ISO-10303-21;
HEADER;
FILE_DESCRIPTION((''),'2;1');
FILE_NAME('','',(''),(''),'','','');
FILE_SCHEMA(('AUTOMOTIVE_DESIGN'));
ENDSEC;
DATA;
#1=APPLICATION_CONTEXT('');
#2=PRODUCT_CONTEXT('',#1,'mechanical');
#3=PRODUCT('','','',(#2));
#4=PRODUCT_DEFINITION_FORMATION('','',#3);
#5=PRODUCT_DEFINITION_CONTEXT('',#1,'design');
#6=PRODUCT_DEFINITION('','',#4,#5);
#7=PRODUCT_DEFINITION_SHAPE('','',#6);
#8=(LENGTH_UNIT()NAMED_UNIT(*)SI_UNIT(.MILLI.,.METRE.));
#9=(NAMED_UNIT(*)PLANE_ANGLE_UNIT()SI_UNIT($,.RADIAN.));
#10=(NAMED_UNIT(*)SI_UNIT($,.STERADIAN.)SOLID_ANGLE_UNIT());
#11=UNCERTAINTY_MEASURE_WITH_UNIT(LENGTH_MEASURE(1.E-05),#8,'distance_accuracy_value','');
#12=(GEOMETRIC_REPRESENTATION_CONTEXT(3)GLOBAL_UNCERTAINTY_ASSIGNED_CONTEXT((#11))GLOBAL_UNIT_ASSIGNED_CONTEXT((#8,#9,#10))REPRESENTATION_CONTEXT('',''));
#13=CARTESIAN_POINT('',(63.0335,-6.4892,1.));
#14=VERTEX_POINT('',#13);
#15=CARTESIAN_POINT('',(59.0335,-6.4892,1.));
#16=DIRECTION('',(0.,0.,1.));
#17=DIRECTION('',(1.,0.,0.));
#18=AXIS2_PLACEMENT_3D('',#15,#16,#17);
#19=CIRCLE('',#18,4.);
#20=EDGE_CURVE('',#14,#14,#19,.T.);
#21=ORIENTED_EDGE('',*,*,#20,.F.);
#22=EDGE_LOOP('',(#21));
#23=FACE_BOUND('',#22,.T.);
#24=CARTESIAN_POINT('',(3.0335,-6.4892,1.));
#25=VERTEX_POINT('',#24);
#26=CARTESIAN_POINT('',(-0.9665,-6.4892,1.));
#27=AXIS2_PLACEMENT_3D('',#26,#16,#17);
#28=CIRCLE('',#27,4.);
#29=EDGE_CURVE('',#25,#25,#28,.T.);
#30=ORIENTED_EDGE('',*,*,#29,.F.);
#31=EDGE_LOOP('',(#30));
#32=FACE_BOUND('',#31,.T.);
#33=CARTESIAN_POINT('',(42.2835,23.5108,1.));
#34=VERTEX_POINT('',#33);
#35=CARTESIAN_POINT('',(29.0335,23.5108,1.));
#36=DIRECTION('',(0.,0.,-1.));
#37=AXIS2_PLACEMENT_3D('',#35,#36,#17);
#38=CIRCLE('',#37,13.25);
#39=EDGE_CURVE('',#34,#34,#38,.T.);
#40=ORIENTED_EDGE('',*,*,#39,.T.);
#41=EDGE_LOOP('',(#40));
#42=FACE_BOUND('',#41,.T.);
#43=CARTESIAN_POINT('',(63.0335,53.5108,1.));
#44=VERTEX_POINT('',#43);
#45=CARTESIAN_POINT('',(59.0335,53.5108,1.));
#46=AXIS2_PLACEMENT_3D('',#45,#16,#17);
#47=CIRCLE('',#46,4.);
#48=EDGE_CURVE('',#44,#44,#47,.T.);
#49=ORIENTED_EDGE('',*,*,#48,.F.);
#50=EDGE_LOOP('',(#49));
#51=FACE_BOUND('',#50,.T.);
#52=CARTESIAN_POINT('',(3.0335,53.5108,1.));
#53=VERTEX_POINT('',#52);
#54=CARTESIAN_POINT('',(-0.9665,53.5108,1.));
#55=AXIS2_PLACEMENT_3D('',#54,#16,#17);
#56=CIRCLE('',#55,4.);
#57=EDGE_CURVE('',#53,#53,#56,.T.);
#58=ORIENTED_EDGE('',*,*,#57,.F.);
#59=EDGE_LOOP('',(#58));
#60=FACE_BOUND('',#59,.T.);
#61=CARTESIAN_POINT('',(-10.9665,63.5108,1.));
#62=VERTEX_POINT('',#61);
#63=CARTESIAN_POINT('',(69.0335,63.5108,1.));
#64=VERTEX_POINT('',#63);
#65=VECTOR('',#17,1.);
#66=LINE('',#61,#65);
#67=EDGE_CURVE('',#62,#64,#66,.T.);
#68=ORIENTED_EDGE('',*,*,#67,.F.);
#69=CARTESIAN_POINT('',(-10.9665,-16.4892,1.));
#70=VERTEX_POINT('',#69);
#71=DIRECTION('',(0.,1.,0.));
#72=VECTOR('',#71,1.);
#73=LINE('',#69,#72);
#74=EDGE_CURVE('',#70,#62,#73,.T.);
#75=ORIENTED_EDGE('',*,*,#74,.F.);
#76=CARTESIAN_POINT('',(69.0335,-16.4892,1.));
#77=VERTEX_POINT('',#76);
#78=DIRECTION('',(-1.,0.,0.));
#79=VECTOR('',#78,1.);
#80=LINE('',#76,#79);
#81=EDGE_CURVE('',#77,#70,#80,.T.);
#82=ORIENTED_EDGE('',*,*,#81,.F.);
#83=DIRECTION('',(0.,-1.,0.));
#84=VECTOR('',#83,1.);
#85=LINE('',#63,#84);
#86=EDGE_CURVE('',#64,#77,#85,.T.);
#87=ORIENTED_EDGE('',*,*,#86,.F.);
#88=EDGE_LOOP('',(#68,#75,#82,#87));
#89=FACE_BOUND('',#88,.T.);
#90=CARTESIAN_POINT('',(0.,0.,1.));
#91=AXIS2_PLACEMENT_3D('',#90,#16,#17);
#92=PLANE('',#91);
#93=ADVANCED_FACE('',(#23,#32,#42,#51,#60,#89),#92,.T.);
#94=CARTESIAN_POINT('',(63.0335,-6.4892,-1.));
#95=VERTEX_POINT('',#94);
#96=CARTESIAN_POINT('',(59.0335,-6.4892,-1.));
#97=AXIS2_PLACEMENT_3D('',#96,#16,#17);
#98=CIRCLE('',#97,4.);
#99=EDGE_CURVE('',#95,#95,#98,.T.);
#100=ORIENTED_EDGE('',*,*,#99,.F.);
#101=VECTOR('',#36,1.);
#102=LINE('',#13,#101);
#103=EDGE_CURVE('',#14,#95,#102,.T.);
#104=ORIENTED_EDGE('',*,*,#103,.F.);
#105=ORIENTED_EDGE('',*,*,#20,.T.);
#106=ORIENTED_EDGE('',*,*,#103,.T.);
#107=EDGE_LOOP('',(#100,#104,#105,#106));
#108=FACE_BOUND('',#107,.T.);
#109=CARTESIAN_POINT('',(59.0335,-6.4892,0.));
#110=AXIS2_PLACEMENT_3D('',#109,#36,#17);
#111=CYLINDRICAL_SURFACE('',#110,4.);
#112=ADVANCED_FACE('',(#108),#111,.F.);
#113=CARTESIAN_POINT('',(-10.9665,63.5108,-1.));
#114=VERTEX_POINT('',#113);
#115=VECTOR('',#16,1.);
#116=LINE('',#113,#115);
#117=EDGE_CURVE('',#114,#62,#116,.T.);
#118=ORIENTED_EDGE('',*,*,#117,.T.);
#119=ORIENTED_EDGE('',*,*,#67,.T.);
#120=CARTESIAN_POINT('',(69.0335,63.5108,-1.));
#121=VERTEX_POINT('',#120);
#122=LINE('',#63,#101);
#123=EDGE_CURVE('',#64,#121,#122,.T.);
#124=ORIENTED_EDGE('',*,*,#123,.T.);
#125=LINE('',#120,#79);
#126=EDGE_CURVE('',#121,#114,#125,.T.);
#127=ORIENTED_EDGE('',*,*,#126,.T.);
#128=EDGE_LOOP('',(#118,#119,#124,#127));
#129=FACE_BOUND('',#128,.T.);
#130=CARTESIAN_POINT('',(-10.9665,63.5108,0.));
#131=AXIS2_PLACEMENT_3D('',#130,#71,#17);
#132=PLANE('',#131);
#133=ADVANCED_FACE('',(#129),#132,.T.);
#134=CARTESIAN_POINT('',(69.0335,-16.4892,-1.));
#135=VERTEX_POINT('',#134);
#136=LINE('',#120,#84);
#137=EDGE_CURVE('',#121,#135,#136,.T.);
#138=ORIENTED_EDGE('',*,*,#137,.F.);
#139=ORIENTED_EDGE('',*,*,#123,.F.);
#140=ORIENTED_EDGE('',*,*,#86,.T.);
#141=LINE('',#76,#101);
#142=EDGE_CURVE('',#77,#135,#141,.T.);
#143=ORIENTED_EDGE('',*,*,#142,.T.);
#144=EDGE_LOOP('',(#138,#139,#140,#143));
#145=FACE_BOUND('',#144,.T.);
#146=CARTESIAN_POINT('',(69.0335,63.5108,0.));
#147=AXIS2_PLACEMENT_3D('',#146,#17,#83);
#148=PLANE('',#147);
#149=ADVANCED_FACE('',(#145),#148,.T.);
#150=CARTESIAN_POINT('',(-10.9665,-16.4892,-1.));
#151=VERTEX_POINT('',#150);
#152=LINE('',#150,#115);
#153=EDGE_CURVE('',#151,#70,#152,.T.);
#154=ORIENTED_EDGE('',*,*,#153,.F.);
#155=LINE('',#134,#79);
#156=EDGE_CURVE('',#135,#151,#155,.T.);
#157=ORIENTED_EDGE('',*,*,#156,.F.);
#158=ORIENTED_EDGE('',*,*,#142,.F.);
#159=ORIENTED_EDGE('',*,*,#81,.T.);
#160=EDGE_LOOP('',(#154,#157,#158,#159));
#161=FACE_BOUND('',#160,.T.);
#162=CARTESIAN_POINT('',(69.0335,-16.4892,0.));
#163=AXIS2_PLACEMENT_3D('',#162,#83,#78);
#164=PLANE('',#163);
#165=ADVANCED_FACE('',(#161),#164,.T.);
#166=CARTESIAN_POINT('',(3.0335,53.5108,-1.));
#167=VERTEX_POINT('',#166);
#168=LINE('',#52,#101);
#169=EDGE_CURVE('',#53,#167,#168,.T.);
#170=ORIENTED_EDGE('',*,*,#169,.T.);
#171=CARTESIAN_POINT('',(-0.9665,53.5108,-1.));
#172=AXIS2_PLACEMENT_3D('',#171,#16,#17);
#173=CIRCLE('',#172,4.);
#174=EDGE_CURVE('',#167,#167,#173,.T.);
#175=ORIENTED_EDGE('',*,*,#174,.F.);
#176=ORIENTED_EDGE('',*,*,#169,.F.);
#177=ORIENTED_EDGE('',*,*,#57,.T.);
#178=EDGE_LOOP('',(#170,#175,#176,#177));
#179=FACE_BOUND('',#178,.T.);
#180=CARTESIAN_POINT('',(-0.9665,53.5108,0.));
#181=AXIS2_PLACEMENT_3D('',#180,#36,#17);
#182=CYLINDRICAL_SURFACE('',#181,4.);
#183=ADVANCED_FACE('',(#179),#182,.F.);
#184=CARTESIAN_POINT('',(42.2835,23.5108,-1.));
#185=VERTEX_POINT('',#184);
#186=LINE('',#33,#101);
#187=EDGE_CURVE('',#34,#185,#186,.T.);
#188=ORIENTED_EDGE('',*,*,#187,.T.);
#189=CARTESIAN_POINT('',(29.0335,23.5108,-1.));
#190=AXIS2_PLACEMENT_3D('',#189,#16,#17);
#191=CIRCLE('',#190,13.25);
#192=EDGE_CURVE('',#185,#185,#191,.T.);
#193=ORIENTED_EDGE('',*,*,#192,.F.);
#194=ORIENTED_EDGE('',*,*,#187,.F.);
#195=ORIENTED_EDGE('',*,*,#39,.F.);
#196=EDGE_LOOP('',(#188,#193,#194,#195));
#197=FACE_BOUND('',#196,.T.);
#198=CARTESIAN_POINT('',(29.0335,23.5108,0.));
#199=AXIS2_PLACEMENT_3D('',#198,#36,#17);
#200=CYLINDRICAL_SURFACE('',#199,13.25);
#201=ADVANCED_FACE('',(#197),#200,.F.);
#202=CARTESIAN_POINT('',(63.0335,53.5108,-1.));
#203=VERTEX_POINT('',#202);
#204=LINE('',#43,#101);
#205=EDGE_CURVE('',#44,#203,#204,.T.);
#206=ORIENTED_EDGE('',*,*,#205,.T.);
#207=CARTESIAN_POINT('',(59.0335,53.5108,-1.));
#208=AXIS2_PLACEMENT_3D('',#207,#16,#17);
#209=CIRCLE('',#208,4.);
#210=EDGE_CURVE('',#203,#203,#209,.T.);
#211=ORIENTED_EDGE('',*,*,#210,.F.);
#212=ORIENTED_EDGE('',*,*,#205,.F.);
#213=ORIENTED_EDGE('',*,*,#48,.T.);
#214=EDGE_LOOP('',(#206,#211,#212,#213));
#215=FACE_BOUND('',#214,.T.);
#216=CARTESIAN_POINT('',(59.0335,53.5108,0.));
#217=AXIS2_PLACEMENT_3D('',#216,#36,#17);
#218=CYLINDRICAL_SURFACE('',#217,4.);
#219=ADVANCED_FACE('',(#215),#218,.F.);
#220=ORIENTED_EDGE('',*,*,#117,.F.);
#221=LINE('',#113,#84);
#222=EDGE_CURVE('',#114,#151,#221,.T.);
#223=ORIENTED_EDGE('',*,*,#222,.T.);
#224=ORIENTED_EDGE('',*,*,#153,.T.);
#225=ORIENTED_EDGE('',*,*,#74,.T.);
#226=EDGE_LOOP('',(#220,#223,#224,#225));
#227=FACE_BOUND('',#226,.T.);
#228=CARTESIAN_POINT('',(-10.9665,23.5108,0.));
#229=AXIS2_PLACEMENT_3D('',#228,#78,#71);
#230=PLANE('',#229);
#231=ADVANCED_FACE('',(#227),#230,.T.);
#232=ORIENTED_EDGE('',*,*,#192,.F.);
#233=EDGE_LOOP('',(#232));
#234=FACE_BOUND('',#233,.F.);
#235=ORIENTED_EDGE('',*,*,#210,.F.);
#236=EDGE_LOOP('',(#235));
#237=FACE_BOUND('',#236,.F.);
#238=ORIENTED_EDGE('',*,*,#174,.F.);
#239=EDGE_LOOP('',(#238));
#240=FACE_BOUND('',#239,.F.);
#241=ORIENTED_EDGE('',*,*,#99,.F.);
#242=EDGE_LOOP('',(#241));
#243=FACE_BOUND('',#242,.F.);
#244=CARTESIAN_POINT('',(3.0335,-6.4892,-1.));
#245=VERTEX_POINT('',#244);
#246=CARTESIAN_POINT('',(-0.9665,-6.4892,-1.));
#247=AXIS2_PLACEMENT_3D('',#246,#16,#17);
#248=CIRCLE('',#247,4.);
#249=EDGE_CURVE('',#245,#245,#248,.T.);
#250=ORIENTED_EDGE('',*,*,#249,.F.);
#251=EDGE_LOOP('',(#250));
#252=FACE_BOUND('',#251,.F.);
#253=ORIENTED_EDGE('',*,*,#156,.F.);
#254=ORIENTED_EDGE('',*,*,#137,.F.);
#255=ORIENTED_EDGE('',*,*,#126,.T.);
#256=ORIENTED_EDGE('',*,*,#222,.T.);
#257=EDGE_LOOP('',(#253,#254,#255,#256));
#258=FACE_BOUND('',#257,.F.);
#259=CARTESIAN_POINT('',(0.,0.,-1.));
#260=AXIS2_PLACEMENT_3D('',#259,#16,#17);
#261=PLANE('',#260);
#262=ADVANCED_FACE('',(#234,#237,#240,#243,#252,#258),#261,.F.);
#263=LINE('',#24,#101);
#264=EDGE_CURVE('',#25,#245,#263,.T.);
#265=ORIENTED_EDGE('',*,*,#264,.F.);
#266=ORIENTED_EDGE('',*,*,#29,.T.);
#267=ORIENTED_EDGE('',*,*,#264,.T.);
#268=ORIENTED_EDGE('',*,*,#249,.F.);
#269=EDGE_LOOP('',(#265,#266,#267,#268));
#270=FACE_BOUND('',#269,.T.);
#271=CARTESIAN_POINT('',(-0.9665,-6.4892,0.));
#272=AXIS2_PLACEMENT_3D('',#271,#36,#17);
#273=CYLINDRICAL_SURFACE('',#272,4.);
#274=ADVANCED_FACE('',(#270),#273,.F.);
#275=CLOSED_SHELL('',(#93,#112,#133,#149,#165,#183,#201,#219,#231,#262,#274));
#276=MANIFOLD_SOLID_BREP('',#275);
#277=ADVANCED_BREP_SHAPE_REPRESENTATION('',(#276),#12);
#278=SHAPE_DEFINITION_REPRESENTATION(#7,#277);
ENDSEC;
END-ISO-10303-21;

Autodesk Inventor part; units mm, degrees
ref_plane "YZ Plane" through (0, 0, 0) normal (1, 0, 0) x (0, 1, 0)
ref_plane "XZ Plane" through (0, 0, 0) normal (0, 1, 0) x (-1, 0, 0)
ref_plane "XY Plane" through (0, 0, 0) normal (0, 0, 1) x (1, 0, 0)
sketch "Sketch1" plane through (0, 0, 0) normal (0, 0, 1) x (1, 0, 0)
  line L0 (-10.9665, 63.5108) -> (69.0335, 63.5108)
  line L1 (69.0335, 63.5108) -> (69.0335, -16.4892)
  line L2 (69.0335, -16.4892) -> (-10.9665, -16.4892)
  line L3 (-10.9665, -16.4892) -> (-10.9665, 63.5108)
  circle A0 centre (-0.9665, 53.5108) radius 4
  line L4 (29.0335, 63.5108) -> (29.0335, 23.5108)
  line L5 (-10.9665, 23.5108) -> (29.0335, 23.5108)
  circle A1 centre (59.0335, 53.5108) radius 4
  circle A2 centre (-0.9665, -6.4892) radius 4
  circle A3 centre (59.0335, -6.4892) radius 4
  circle A4 centre (29.0335, 23.5108) radius 13.25
  point P0 (0, 0)
  dimension "d0" = 80
  dimension "d1" = 80
  dimension "d2" = 8
  dimension "d3" = 10
  dimension "d4" = 10
  dimension "d7" = 26.5
extrude "Plate1" add sketch "Sketch1" along normal mid plane 2
extrude "Cut1" cut sketch "Sketch1" against normal mid plane 2 contours A4 L5 L4 | L4 L5 A4
equation "\"d8\" = Thickness"
equation "\"d5\" = Thickness"
equation "\"BendRadius\" = Thickness"
equation "\"BendReliefWidth\" = Thickness"
equation "\"BendReliefDepth\" = 0.5 * Thickness"
equation "\"CornerReliefSize\" = 4 * Thickness"
equation "\"MinimumRemnant\" = 2 * Thickness"
equation "\"TransitionRadius\" = BendRadius"
equation "\"JacobiRadiusSize\" = BendRadius"
equation "\"GapSize\" = Thickness"
equation "\"Thickness\" = 2"
properties part number "plate"
